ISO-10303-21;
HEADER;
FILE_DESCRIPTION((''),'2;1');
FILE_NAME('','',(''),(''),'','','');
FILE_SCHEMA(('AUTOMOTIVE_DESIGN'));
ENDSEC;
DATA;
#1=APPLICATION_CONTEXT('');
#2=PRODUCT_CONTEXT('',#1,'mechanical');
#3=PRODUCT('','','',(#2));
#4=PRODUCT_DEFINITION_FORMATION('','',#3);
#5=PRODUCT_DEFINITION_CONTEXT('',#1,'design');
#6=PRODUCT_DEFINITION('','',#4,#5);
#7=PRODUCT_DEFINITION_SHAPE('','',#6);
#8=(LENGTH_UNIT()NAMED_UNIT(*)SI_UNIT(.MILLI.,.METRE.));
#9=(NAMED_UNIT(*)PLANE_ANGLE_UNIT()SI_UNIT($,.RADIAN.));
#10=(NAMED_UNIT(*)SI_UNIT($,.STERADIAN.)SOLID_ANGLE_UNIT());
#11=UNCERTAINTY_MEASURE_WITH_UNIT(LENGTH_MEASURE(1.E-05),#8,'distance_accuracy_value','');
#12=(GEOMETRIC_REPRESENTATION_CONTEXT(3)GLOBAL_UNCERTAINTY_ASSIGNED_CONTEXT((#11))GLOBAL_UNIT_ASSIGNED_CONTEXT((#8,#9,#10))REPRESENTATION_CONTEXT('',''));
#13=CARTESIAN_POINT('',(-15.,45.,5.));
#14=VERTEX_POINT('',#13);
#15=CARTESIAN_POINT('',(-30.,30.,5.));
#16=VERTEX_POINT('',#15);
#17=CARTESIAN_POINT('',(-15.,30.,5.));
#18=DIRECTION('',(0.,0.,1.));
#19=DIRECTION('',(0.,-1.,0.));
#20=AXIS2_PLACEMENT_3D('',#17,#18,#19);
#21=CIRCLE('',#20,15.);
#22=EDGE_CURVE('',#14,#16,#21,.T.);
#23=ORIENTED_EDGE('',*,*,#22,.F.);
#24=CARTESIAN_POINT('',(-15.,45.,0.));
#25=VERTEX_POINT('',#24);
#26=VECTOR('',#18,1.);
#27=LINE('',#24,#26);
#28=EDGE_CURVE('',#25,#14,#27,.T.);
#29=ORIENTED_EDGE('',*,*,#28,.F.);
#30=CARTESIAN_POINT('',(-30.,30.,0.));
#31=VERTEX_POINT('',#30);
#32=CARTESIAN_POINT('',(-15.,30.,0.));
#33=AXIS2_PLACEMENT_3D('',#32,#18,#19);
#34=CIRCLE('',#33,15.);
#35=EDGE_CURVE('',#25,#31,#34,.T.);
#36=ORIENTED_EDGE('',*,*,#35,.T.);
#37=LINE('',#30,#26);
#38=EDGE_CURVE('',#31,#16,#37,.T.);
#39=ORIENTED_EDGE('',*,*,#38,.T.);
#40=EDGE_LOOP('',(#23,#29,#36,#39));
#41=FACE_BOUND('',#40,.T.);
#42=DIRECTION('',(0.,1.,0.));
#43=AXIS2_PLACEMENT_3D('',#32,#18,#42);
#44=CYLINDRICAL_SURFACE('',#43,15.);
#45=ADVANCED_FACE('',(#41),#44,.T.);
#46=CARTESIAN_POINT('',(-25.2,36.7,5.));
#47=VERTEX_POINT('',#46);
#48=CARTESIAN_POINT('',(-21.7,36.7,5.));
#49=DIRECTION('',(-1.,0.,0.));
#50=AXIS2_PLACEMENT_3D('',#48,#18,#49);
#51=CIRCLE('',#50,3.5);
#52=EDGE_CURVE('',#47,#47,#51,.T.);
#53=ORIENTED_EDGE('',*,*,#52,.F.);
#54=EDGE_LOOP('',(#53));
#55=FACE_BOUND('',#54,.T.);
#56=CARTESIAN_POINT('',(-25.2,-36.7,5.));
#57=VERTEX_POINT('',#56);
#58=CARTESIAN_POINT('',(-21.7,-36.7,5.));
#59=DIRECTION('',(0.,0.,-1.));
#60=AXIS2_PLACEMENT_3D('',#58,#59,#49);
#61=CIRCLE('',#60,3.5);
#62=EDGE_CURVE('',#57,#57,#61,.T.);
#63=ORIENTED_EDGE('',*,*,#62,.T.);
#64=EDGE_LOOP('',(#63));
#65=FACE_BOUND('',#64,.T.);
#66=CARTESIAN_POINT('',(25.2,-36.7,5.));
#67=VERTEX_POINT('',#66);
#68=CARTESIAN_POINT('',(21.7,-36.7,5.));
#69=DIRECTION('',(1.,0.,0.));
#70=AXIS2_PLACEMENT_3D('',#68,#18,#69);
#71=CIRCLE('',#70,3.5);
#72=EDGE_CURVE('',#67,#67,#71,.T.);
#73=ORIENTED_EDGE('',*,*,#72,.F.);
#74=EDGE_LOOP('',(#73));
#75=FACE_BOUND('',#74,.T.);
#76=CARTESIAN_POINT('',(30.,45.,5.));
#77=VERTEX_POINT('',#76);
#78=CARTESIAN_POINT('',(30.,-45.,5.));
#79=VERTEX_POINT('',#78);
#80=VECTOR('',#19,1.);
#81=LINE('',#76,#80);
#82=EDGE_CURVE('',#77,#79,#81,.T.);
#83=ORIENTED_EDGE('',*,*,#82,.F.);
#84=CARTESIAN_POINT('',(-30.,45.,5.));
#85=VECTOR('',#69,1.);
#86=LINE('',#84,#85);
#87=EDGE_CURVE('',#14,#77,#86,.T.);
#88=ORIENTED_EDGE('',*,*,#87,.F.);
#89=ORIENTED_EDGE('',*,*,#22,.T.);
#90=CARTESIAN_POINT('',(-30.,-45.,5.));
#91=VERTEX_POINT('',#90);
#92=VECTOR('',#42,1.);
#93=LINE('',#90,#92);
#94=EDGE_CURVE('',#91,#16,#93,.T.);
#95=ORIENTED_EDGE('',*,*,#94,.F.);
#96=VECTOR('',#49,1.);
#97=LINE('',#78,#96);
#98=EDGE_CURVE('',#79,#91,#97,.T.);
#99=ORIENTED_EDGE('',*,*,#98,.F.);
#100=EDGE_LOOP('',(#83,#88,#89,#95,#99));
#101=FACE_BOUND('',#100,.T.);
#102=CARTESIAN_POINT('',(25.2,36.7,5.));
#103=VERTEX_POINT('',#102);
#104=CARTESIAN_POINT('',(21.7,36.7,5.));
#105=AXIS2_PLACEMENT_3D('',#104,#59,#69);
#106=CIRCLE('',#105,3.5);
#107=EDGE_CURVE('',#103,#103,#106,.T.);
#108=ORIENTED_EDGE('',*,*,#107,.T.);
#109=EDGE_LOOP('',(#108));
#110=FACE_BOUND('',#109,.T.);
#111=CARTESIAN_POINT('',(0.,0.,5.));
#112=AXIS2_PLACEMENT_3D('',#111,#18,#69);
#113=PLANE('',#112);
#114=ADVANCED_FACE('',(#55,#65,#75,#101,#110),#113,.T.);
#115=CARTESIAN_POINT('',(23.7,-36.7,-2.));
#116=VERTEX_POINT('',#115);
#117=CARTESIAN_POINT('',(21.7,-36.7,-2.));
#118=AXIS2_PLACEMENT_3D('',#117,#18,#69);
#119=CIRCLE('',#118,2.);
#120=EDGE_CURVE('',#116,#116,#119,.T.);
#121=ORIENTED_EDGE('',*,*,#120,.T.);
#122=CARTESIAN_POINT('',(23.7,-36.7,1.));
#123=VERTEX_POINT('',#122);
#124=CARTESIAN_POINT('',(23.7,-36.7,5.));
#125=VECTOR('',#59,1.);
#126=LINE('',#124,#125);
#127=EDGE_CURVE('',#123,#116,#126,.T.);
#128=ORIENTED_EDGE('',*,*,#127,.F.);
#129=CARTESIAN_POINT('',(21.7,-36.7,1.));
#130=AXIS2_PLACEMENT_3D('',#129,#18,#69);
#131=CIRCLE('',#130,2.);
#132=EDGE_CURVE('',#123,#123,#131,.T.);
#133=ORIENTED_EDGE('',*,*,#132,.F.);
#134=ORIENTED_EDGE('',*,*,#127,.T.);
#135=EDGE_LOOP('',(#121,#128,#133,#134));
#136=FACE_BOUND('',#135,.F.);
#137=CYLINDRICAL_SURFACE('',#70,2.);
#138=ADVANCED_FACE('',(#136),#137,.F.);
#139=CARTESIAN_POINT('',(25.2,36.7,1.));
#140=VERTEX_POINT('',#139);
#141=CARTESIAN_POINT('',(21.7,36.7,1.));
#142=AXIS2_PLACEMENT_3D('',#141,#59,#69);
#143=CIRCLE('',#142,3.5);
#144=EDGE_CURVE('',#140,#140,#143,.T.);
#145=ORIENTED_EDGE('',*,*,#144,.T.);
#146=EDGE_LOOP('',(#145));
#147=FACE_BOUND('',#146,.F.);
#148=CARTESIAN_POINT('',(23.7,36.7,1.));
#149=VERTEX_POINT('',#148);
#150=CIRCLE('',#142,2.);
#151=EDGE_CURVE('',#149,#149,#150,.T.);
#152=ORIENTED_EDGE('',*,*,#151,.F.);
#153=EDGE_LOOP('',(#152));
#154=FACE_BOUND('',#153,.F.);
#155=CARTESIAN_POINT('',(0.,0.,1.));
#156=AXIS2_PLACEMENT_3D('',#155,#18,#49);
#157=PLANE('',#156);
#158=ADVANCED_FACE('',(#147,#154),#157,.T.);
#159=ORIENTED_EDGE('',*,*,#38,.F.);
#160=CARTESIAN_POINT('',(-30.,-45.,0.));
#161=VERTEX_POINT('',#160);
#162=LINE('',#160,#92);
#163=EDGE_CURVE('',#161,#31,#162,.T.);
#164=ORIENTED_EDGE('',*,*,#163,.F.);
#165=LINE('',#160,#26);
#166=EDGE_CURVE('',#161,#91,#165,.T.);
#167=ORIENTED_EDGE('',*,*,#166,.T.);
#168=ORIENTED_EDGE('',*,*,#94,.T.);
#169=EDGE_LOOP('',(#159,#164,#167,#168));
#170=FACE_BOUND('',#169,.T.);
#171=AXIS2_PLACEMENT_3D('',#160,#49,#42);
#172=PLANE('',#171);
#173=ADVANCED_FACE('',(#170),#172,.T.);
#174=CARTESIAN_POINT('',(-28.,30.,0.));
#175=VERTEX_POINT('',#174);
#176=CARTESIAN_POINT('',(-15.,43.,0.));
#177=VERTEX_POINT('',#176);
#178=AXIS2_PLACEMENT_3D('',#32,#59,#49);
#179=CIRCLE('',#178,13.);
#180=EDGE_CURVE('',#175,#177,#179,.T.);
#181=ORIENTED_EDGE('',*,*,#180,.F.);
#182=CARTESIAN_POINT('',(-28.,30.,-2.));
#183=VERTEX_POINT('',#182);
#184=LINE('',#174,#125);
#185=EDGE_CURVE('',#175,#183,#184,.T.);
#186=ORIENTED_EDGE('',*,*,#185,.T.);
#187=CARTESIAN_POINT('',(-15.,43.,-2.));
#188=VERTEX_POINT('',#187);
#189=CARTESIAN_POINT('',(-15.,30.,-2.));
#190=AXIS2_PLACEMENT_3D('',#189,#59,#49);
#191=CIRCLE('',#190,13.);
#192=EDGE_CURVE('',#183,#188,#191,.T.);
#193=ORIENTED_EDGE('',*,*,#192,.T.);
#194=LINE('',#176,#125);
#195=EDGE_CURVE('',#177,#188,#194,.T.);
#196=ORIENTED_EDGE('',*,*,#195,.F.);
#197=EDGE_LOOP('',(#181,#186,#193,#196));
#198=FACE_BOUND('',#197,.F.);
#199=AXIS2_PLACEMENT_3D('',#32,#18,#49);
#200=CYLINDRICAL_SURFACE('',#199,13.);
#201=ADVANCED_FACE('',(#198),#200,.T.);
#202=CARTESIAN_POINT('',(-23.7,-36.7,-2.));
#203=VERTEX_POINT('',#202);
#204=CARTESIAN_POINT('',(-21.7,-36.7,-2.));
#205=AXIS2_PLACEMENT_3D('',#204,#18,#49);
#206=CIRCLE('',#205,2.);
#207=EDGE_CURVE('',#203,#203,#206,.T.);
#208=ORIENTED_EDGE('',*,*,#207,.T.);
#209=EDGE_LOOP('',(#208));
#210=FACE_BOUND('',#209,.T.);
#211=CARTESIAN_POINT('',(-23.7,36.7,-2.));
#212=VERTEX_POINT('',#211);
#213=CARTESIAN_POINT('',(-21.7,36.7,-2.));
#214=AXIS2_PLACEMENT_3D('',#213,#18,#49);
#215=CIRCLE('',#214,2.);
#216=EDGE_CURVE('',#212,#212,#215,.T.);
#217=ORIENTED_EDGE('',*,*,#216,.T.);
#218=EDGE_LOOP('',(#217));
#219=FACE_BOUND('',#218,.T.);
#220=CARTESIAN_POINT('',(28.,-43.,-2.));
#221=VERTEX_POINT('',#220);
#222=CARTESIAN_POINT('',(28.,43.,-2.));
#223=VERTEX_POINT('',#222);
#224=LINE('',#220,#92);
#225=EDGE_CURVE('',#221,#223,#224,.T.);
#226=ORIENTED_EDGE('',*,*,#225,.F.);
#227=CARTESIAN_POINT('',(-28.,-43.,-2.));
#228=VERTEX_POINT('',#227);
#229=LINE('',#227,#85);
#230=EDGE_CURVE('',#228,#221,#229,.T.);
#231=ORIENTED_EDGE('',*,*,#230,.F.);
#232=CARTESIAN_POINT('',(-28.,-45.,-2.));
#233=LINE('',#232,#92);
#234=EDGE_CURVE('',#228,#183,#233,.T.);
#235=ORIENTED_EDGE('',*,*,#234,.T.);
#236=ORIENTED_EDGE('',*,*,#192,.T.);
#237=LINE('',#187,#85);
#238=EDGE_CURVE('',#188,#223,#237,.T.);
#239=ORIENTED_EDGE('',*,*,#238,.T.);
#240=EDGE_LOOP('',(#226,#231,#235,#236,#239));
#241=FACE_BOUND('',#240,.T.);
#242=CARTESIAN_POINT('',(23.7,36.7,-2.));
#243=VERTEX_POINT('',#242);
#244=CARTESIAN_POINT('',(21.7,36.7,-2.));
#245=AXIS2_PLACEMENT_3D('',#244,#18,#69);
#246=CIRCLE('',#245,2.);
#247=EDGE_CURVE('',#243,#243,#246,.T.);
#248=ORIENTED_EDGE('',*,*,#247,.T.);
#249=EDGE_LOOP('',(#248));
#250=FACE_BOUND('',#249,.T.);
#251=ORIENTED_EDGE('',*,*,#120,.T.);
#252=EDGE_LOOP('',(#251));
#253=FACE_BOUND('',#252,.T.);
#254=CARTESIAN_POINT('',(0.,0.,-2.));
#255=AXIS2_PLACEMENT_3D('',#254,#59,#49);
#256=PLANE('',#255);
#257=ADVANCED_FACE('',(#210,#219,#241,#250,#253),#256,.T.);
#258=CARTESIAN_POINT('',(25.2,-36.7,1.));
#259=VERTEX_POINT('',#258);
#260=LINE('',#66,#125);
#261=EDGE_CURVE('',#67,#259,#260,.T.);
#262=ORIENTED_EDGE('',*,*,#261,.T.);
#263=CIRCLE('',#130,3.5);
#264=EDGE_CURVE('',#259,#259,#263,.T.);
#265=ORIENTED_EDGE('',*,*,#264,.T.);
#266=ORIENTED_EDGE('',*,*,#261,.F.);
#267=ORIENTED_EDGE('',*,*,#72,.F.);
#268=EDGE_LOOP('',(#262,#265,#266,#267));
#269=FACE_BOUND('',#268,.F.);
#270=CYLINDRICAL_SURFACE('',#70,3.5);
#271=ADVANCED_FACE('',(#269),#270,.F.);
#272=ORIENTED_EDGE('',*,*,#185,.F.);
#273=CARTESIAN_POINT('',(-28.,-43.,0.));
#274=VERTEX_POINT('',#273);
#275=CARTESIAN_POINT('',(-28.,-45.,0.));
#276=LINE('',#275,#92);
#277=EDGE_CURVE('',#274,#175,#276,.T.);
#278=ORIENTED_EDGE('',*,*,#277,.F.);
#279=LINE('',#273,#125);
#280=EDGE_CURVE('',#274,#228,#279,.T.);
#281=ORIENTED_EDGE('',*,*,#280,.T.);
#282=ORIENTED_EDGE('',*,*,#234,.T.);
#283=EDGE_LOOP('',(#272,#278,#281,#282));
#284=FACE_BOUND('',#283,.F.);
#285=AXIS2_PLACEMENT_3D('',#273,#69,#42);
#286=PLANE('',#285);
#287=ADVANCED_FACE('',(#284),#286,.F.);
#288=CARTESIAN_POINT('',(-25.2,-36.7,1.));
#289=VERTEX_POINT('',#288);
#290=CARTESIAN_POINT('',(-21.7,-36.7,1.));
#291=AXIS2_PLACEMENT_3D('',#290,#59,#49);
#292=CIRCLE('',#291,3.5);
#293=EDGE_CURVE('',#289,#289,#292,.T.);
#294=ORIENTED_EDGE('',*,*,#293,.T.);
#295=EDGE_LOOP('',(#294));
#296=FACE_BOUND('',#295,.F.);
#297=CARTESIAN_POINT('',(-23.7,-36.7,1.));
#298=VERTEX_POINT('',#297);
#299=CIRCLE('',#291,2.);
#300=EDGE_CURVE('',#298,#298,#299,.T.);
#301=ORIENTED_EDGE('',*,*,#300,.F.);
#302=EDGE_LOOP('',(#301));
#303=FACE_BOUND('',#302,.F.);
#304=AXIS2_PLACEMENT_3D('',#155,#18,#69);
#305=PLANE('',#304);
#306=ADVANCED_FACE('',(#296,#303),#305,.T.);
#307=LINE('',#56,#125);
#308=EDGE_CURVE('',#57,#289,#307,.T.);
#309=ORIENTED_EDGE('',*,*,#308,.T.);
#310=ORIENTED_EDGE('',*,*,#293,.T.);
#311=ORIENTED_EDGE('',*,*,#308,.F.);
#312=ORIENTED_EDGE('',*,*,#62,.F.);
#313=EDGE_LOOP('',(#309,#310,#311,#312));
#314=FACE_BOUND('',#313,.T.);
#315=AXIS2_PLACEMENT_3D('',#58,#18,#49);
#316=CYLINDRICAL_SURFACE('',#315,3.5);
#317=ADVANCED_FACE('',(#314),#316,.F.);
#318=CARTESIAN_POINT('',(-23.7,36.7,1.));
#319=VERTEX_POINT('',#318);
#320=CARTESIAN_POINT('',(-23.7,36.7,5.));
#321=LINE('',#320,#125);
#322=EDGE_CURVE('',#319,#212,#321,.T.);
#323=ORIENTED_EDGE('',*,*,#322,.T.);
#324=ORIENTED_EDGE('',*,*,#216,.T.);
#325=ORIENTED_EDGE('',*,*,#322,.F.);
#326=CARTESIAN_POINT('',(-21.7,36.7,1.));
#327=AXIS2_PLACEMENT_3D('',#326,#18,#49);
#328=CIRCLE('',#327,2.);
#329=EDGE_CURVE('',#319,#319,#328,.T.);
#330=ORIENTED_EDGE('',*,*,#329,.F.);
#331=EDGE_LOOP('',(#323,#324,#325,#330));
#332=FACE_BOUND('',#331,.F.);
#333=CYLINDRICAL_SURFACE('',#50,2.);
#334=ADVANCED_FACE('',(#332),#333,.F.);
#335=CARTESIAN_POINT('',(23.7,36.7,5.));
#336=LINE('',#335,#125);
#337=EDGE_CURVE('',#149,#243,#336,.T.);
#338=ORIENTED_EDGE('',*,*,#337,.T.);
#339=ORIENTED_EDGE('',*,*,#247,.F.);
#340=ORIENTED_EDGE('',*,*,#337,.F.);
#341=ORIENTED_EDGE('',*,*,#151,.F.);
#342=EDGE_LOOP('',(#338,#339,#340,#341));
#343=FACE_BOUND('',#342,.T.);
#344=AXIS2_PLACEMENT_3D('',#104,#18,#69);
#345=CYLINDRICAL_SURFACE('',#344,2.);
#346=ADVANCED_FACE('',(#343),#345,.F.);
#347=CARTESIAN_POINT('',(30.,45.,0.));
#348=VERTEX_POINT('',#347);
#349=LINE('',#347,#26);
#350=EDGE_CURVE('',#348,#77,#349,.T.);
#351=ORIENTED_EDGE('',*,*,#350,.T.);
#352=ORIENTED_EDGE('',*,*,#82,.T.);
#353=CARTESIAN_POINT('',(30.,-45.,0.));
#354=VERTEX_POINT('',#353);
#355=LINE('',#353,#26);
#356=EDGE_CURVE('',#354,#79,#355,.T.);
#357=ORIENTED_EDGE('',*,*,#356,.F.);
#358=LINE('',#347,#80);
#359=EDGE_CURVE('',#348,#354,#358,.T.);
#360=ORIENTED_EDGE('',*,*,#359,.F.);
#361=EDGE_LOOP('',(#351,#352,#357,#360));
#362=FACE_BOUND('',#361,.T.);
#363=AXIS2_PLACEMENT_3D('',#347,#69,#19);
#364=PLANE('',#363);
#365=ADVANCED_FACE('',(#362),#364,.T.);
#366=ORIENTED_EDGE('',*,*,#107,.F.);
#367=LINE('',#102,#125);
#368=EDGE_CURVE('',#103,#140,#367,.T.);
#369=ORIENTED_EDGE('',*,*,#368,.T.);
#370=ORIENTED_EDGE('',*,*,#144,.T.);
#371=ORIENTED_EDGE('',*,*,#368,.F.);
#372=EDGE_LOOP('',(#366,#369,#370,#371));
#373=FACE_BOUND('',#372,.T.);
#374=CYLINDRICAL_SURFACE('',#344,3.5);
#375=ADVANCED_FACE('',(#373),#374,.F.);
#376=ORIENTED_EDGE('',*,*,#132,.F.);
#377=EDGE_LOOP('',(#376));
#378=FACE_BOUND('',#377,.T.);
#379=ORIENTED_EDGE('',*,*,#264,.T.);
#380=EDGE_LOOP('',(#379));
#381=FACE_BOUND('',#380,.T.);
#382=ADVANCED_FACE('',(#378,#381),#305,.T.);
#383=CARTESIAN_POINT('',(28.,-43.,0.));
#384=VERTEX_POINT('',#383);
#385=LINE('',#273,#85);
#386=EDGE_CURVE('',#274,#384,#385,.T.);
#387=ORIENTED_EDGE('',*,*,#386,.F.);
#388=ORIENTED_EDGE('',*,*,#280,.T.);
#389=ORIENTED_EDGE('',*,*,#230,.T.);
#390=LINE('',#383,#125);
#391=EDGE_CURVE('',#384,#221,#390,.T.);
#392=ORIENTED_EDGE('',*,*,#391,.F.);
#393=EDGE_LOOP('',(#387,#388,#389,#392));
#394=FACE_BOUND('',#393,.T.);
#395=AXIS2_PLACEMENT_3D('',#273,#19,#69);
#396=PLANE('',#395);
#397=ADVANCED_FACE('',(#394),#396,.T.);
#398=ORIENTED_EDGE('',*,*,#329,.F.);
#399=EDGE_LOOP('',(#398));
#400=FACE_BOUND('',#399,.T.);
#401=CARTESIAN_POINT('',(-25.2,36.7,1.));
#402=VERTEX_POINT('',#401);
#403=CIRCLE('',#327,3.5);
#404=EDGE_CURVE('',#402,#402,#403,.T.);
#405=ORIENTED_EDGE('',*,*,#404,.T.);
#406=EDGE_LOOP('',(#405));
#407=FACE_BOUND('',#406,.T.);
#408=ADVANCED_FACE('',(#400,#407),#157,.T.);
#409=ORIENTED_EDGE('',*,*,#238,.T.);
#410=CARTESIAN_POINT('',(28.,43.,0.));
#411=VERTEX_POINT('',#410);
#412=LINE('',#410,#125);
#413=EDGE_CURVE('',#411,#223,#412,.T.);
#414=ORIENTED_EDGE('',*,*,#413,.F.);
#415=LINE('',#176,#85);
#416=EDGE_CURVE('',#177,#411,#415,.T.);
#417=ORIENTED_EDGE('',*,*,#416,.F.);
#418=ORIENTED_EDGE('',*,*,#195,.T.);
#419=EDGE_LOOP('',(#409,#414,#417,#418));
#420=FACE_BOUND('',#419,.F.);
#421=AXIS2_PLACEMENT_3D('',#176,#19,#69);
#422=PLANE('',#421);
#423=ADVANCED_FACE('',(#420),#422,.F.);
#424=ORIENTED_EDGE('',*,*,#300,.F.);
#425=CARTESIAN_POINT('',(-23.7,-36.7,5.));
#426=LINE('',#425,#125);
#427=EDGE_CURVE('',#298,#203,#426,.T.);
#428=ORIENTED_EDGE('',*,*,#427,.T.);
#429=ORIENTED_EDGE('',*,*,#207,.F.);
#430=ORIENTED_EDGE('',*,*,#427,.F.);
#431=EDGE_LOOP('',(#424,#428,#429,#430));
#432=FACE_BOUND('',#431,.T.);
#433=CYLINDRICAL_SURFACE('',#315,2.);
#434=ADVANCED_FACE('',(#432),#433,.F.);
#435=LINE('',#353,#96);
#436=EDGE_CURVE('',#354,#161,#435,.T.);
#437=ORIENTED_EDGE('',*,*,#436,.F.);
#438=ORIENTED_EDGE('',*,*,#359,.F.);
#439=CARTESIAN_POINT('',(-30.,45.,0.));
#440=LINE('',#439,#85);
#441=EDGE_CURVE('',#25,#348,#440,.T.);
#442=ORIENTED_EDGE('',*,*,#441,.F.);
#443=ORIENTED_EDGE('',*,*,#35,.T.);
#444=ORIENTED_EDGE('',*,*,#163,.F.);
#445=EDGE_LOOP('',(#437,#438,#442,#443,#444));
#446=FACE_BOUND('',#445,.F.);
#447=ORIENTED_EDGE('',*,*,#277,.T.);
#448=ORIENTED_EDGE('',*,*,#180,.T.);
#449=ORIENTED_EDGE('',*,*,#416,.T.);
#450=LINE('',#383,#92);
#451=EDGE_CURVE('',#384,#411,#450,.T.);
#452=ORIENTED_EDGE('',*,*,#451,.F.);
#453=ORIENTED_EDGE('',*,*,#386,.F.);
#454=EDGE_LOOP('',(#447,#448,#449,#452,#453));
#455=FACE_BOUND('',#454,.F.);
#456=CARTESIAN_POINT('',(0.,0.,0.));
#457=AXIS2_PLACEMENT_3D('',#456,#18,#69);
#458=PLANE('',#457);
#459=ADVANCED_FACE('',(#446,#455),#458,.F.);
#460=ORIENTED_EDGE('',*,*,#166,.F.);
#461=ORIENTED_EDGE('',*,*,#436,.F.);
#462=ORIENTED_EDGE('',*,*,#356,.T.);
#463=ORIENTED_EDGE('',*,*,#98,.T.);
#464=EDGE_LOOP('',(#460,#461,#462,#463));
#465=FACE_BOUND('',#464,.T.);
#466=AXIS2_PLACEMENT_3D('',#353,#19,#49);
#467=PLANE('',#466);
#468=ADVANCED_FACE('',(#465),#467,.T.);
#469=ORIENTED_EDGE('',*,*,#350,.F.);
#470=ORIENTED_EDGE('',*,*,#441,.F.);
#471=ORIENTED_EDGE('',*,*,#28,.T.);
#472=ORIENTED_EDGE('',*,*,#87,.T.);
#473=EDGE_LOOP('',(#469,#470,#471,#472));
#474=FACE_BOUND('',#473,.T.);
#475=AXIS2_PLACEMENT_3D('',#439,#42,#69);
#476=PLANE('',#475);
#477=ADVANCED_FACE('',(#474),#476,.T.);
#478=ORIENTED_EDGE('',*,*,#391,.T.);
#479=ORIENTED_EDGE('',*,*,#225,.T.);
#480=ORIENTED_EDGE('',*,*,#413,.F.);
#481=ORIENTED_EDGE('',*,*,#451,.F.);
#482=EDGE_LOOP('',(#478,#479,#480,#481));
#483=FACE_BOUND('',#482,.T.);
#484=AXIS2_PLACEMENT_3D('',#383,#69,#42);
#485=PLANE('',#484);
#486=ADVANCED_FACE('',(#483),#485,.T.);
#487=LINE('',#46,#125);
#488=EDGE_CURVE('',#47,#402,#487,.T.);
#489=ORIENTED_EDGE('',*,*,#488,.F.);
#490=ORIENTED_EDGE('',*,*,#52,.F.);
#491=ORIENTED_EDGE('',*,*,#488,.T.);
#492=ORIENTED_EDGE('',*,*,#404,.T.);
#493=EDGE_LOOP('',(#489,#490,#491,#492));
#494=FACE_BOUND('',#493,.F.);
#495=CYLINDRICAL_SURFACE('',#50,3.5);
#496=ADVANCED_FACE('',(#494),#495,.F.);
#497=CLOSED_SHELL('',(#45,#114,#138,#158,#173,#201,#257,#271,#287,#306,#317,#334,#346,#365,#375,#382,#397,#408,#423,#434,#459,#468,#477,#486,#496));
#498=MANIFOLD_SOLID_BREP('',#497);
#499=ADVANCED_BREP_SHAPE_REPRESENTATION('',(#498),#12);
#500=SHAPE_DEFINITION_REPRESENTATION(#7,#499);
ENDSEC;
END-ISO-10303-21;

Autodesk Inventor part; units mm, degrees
ref_plane "YZ Plane" through (0, 0, 0) normal (1, 0, 0) x (0, 1, 0)
ref_plane "XZ Plane" through (0, 0, 0) normal (0, 1, 0) x (-1, 0, 0)
ref_plane "XY Plane" through (0, 0, 0) normal (0, 0, 1) x (1, 0, 0)
sketch "Skizze16" plane through (0, 0, 0) normal (0, 0, 1) x (1, 0, 0)
  line L0 (-30, 45) -> (30, 45)
  line L1 (30, 45) -> (30, -45)
  line L2 (30, -45) -> (-30, -45)
  line L3 (-30, -45) -> (-30, 45)
  line L4 (-30, 45) -> (30, -45) construction
  line L5 (30, 45) -> (-30, -45) construction
  point P0 (0, 0)
  dimension "d50" = 60
  dimension "d51" = 90
extrude "Extrusion13" add sketch "Skizze16" along normal blind 5
fillet "Rundung1" radius 15 1 edges at (-30, 45, 2.5)
sketch "Skizze22" plane through (0, 0, 0) normal (0, 0, -1) x (-1, 0, 0)
  line L0 (30, -45) -> (-30, -45) projected
  line L1 (30, -45) -> (28, -45)
  line L2 (28, -45) -> (28, 30)
  line L3 (28, 30) -> (30, 30)
  line L4 (30, 30) -> (30, -45)
  line L5 (-30, -45) -> (28, -45)
  line L6 (28, -45) -> (28, -43)
  line L7 (28, -43) -> (-30, -43)
  line L8 (-30, -43) -> (-30, -45)
  line L9 (-30, 45) -> (15, 45) projected
  line L10 (-30, -43) -> (-28, -43)
  line L11 (-28, -43) -> (-28, 45)
  line L12 (-28, 45) -> (-30, 45)
  line L13 (-30, 45) -> (-30, -43)
  line L14 (-28, 45) -> (15, 45)
  line L15 (15, 45) -> (15, 43)
  line L16 (15, 43) -> (-28, 43)
  line L17 (-28, 43) -> (-28, 45)
  arc A0 (30, 30) -> (15, 45) centre (15, 30) ccw
  arc A1 (28, 30) -> (15, 43) centre (15, 30) ccw
  point P0 (0, 0)
  dimension "d92" = 2
  dimension "d93" = 75
  dimension "d94" = 2
  dimension "d95" = 2
  dimension "d96" = 2
extrude "Extrusion17" add sketch "Skizze22" along normal blind 2 contours L7 L11 L16 A1 L2
sketch "Skizze23" plane through (0, 0, 5) normal (0, 0, 1) x (1, 0, 0)
  circle A0 centre (21.7, -36.7) radius 2
  line L0 (30, -45) -> (30, 45) projected
  line L1 (-30, -45) -> (30, -45) projected
  point P0 (0, 0)
  dimension "d99" = 4
  dimension "d100" = 8.3
  dimension "d101" = 8.3
extrude "Extrusion18" cut sketch "Skizze23" against normal through all
sketch "Skizze24" plane through (0, 0, 5) normal (0, 0, 1) x (1, 0, 0)
  circle A0 centre (21.7, -36.7) radius 2 projected
  circle A1 centre (21.7, -36.7) radius 3.5
  point P0 (0, 0)
  dimension "d104" = 7
extrude "Extrusion19" cut sketch "Skizze24" against normal blind 4
mirror "Spiegeln5" about plane through (0, 0, 0) normal (0, 1, 0) of "Extrusion19", "Extrusion18"
mirror "Spiegeln6" about plane through (0, 0, 0) normal (1, 0, 0) of "Extrusion19", "Extrusion18", "Spiegeln5"
properties part number "Deckel_Gehäuse"
